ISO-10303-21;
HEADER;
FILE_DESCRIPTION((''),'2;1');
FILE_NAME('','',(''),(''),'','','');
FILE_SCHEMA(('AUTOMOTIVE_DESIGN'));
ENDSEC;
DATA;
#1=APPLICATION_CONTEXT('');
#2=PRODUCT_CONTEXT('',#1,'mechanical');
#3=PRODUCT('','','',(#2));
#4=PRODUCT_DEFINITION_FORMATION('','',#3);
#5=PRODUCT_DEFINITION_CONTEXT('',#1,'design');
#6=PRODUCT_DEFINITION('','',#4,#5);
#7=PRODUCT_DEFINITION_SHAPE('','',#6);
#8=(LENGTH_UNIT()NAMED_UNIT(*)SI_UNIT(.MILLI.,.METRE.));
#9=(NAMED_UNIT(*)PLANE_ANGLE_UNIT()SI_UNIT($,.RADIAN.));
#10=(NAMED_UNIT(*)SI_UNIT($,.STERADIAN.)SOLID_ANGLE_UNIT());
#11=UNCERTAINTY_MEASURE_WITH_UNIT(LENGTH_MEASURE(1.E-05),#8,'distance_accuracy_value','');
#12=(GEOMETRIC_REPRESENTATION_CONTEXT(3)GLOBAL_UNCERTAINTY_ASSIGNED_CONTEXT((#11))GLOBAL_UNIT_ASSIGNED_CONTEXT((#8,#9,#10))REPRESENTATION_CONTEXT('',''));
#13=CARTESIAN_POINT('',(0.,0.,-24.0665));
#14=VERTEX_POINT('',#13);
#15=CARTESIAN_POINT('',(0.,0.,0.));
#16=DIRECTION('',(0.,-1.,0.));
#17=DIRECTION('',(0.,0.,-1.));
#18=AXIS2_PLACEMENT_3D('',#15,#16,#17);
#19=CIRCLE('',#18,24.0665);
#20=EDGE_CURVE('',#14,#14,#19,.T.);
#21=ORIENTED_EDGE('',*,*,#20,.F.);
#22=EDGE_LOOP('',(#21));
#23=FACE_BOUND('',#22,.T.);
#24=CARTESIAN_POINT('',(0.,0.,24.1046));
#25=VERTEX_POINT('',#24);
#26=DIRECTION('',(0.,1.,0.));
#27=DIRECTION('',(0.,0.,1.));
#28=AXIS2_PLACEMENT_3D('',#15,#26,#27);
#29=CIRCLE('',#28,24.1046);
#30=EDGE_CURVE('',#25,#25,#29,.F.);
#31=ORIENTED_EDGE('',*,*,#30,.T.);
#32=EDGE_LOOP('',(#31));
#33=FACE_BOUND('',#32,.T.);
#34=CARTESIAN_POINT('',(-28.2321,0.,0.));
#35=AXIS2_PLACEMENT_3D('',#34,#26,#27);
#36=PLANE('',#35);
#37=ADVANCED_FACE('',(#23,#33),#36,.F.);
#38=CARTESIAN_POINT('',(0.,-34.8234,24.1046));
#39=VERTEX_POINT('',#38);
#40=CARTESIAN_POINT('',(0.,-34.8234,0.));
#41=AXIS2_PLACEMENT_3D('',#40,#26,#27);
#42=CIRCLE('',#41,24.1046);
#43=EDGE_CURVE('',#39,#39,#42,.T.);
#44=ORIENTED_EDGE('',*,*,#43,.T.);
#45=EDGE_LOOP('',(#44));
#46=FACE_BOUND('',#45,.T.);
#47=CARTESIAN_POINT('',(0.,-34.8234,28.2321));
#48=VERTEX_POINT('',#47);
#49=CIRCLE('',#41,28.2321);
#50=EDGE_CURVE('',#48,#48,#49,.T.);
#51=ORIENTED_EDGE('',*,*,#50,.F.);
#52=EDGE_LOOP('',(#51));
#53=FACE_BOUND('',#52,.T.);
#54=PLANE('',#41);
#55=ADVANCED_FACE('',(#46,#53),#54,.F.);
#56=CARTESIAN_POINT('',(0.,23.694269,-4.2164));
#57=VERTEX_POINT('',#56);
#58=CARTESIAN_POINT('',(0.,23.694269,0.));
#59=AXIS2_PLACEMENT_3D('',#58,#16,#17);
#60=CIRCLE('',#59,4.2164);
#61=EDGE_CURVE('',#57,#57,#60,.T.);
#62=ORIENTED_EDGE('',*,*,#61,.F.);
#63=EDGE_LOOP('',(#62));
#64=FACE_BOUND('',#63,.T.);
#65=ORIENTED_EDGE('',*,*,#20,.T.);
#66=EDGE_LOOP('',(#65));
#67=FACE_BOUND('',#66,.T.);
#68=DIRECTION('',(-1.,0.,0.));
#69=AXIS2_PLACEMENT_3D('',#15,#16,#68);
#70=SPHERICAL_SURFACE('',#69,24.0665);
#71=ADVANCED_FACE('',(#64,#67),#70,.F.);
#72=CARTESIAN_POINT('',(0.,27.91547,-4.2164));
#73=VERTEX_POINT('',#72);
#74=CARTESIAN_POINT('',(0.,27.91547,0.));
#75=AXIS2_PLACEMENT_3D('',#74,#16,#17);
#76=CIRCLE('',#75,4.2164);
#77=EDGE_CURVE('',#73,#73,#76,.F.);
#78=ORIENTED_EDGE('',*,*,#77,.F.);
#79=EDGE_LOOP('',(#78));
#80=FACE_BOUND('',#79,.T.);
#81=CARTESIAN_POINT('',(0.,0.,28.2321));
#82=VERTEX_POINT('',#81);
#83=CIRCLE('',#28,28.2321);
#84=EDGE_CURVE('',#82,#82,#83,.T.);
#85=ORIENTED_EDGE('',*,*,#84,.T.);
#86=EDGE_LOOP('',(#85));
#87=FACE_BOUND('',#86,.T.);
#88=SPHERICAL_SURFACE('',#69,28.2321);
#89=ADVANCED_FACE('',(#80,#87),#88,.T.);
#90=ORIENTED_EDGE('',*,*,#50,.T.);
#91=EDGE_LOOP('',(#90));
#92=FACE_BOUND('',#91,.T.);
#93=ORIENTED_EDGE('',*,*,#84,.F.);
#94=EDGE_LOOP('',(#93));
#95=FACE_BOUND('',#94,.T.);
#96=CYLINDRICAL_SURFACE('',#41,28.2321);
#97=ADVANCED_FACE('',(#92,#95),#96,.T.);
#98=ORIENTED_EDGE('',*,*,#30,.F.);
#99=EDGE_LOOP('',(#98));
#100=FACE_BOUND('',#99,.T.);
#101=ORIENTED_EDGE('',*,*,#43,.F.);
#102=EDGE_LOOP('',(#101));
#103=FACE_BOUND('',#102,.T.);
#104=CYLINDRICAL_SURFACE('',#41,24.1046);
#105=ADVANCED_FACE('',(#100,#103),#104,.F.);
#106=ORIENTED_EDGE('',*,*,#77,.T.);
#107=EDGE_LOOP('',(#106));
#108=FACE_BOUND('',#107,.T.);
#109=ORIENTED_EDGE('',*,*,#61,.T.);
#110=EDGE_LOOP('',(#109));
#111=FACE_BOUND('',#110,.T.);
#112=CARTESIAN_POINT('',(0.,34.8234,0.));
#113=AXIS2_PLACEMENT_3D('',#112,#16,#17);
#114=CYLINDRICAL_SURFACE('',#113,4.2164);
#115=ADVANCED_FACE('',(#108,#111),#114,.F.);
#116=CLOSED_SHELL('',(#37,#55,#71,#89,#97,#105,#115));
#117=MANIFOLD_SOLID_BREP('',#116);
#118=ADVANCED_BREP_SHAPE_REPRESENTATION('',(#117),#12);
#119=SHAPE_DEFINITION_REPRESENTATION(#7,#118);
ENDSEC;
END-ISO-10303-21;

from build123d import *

# Parameters (mm, degrees)
SKETCH1_R           = 28.2321
SKETCH1_R_2         = 24.1046
BOSS_EXTRUDE1_DEPTH = 34.8234
SKETCH3_R           = 4.2164
CUT_EXTRUDE1_DEPTH  = 34.8234


with BuildPart() as part:
    # Sketch1 → Boss-Extrude1 (new body)
    with BuildSketch(Plane(origin=(0, 0, 0), x_dir=(1, 0, 0), z_dir=(0, 1, 0))):
        with Locations(Location((0, 0, 0), (0, 0, 270))):
            Circle(SKETCH1_R)
        with Locations(Location((0, 0, 0), (0, 0, 270))):
            Circle(SKETCH1_R_2, mode=Mode.SUBTRACT)
    extrude(amount=-BOSS_EXTRUDE1_DEPTH)

    # Sketch2 → Revolve1 (revolve)
    with BuildSketch(Plane.XY):
        with BuildLine():
            Line((0, 24.0665), (0, 28.2321))
            ThreePointArc((0, 28.2321), (-19.963109357, 19.963109357), (-28.2321, 0))
            Line((-28.2321, 0), (-24.0665, 0))
            ThreePointArc((-24.0665, 0), (-17.017585349, 17.017585349), (0, 24.0665))
        make_face()
    revolve(axis=Axis((0, 24.0665, 0), (0, 1, 0)))

    # Sketch3 → Cut-Extrude1 (cut)
    with BuildSketch(Plane(origin=(0, 0, 0), x_dir=(1, 0, 0), z_dir=(0, 1, 0))):
        with Locations(Location((0, 0, 0), (0, 0, 90))):
            Circle(SKETCH3_R)
    extrude(amount=CUT_EXTRUDE1_DEPTH, mode=Mode.SUBTRACT)


solid = part.part
